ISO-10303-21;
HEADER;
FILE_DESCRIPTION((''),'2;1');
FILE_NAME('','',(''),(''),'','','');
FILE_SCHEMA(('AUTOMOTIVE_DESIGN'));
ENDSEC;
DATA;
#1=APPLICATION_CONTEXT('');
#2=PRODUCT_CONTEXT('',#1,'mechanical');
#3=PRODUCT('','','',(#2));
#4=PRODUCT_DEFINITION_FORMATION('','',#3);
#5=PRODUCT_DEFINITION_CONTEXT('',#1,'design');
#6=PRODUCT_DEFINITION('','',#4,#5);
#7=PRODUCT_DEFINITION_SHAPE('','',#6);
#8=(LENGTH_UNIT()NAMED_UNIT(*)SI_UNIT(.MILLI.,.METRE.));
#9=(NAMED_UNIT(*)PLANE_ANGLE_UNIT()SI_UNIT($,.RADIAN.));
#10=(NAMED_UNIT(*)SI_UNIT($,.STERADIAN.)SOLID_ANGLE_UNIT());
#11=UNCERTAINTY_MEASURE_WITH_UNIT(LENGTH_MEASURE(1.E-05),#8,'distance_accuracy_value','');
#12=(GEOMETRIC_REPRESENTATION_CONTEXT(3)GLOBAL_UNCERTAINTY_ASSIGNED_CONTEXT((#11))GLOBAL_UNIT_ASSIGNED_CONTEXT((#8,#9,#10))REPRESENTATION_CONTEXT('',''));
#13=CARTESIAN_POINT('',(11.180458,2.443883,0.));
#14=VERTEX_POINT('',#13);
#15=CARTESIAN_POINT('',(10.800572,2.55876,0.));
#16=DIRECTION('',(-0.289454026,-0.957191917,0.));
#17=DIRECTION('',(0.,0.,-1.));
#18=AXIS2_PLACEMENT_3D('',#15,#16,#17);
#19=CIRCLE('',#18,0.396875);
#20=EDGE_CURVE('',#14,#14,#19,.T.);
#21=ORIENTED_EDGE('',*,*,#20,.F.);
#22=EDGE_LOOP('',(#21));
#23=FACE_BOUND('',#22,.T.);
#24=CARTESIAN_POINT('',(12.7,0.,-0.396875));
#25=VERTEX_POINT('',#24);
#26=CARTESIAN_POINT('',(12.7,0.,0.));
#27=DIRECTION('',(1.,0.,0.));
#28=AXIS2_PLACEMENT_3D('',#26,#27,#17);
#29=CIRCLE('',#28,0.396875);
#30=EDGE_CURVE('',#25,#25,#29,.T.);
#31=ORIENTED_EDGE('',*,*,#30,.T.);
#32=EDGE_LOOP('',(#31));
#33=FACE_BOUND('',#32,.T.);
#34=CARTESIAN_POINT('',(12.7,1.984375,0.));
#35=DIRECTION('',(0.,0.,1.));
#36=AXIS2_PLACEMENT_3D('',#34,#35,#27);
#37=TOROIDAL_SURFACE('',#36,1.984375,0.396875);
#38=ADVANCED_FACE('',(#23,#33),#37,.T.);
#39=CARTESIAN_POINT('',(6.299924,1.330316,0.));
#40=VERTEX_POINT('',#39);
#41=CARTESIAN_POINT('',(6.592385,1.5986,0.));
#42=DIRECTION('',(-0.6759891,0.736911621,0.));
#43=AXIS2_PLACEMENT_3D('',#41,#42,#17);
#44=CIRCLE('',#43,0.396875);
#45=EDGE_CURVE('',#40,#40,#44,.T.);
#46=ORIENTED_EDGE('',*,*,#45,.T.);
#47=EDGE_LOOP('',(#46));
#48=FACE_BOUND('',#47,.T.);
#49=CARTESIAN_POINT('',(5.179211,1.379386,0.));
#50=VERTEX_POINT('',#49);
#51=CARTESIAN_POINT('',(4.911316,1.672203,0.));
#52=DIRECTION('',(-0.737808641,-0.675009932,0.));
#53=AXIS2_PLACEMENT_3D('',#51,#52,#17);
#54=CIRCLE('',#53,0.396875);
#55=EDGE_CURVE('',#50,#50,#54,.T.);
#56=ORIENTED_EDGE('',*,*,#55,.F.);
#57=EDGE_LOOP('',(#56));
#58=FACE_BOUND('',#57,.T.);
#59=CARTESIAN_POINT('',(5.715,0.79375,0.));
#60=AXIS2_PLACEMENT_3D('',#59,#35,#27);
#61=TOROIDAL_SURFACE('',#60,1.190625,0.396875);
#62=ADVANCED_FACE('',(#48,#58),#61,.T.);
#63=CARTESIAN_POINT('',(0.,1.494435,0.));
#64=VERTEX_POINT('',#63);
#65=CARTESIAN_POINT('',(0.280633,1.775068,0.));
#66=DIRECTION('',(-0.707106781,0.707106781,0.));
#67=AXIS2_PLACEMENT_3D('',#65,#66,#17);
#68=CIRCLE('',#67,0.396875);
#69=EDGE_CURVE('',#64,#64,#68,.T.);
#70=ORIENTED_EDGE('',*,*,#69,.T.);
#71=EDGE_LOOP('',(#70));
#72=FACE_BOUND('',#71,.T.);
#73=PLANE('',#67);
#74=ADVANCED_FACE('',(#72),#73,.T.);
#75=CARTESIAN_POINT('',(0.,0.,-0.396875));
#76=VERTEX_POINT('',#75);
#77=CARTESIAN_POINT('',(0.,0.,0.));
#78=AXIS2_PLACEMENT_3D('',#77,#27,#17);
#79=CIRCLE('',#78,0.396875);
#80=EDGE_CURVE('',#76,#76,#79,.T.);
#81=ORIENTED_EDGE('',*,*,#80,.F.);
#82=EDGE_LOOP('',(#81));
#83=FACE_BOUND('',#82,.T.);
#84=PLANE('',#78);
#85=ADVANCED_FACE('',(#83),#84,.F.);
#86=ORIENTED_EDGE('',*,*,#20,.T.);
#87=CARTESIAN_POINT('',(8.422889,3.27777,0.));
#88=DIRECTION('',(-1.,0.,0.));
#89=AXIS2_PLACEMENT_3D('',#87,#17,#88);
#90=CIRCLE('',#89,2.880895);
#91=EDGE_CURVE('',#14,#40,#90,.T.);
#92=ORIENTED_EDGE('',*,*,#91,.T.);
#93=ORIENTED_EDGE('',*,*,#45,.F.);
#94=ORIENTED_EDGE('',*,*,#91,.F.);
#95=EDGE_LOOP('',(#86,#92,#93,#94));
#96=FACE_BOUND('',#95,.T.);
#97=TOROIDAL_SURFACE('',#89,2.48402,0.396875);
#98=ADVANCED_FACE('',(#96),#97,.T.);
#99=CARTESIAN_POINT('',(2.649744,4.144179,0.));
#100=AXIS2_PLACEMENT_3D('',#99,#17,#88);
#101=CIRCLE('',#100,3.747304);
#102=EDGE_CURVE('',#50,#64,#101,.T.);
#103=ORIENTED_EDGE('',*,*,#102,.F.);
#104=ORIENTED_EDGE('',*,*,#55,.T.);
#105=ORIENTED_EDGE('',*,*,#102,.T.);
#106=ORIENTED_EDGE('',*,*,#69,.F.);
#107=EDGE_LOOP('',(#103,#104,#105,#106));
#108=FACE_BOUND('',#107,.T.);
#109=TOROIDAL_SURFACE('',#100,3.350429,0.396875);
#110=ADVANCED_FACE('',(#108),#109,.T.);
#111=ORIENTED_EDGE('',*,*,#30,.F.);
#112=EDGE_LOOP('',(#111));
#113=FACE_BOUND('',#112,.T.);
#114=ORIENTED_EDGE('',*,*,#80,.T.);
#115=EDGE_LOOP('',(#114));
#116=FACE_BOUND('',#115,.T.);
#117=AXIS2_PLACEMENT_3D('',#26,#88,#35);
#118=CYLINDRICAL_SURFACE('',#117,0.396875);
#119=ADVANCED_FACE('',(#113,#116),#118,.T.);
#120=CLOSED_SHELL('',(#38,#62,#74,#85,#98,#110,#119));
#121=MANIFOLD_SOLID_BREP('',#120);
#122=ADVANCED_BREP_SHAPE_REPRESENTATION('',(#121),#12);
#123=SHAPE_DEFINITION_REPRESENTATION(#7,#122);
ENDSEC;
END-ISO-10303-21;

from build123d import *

# Parameters (mm, degrees)
SKETCH2_R = 0.396875


with BuildPart() as part:
    # Sweep1: sweep along a path in Sketch1
    with BuildLine(Plane.XY) as sweep1_path:
        Line((0, 0), (12.7, 0))
        ThreePointArc((12.7, 0), (14.293351819, 3.167157365), (10.800572289, 2.558760334))
        ThreePointArc((10.800572289, 2.558760334), (8.97545423, 0.855988324), (6.592385399, 1.598599522))
        ThreePointArc((6.592385399, 1.598599522), (5.767080402, 1.983235402), (4.911316299, 1.672203414))
        ThreePointArc((4.911316299, 1.672203414), (2.575336852, 0.794576323), (0.280633004, 1.775067802))
    # Sketch2 → Sweep1 (sweep)
    with BuildSketch(Plane(origin=(0, 0, 0), x_dir=(0, 0, -1), z_dir=(1, 0, 0))):
        Circle(SKETCH2_R)
    sweep(path=sweep1_path.line)


solid = part.part
